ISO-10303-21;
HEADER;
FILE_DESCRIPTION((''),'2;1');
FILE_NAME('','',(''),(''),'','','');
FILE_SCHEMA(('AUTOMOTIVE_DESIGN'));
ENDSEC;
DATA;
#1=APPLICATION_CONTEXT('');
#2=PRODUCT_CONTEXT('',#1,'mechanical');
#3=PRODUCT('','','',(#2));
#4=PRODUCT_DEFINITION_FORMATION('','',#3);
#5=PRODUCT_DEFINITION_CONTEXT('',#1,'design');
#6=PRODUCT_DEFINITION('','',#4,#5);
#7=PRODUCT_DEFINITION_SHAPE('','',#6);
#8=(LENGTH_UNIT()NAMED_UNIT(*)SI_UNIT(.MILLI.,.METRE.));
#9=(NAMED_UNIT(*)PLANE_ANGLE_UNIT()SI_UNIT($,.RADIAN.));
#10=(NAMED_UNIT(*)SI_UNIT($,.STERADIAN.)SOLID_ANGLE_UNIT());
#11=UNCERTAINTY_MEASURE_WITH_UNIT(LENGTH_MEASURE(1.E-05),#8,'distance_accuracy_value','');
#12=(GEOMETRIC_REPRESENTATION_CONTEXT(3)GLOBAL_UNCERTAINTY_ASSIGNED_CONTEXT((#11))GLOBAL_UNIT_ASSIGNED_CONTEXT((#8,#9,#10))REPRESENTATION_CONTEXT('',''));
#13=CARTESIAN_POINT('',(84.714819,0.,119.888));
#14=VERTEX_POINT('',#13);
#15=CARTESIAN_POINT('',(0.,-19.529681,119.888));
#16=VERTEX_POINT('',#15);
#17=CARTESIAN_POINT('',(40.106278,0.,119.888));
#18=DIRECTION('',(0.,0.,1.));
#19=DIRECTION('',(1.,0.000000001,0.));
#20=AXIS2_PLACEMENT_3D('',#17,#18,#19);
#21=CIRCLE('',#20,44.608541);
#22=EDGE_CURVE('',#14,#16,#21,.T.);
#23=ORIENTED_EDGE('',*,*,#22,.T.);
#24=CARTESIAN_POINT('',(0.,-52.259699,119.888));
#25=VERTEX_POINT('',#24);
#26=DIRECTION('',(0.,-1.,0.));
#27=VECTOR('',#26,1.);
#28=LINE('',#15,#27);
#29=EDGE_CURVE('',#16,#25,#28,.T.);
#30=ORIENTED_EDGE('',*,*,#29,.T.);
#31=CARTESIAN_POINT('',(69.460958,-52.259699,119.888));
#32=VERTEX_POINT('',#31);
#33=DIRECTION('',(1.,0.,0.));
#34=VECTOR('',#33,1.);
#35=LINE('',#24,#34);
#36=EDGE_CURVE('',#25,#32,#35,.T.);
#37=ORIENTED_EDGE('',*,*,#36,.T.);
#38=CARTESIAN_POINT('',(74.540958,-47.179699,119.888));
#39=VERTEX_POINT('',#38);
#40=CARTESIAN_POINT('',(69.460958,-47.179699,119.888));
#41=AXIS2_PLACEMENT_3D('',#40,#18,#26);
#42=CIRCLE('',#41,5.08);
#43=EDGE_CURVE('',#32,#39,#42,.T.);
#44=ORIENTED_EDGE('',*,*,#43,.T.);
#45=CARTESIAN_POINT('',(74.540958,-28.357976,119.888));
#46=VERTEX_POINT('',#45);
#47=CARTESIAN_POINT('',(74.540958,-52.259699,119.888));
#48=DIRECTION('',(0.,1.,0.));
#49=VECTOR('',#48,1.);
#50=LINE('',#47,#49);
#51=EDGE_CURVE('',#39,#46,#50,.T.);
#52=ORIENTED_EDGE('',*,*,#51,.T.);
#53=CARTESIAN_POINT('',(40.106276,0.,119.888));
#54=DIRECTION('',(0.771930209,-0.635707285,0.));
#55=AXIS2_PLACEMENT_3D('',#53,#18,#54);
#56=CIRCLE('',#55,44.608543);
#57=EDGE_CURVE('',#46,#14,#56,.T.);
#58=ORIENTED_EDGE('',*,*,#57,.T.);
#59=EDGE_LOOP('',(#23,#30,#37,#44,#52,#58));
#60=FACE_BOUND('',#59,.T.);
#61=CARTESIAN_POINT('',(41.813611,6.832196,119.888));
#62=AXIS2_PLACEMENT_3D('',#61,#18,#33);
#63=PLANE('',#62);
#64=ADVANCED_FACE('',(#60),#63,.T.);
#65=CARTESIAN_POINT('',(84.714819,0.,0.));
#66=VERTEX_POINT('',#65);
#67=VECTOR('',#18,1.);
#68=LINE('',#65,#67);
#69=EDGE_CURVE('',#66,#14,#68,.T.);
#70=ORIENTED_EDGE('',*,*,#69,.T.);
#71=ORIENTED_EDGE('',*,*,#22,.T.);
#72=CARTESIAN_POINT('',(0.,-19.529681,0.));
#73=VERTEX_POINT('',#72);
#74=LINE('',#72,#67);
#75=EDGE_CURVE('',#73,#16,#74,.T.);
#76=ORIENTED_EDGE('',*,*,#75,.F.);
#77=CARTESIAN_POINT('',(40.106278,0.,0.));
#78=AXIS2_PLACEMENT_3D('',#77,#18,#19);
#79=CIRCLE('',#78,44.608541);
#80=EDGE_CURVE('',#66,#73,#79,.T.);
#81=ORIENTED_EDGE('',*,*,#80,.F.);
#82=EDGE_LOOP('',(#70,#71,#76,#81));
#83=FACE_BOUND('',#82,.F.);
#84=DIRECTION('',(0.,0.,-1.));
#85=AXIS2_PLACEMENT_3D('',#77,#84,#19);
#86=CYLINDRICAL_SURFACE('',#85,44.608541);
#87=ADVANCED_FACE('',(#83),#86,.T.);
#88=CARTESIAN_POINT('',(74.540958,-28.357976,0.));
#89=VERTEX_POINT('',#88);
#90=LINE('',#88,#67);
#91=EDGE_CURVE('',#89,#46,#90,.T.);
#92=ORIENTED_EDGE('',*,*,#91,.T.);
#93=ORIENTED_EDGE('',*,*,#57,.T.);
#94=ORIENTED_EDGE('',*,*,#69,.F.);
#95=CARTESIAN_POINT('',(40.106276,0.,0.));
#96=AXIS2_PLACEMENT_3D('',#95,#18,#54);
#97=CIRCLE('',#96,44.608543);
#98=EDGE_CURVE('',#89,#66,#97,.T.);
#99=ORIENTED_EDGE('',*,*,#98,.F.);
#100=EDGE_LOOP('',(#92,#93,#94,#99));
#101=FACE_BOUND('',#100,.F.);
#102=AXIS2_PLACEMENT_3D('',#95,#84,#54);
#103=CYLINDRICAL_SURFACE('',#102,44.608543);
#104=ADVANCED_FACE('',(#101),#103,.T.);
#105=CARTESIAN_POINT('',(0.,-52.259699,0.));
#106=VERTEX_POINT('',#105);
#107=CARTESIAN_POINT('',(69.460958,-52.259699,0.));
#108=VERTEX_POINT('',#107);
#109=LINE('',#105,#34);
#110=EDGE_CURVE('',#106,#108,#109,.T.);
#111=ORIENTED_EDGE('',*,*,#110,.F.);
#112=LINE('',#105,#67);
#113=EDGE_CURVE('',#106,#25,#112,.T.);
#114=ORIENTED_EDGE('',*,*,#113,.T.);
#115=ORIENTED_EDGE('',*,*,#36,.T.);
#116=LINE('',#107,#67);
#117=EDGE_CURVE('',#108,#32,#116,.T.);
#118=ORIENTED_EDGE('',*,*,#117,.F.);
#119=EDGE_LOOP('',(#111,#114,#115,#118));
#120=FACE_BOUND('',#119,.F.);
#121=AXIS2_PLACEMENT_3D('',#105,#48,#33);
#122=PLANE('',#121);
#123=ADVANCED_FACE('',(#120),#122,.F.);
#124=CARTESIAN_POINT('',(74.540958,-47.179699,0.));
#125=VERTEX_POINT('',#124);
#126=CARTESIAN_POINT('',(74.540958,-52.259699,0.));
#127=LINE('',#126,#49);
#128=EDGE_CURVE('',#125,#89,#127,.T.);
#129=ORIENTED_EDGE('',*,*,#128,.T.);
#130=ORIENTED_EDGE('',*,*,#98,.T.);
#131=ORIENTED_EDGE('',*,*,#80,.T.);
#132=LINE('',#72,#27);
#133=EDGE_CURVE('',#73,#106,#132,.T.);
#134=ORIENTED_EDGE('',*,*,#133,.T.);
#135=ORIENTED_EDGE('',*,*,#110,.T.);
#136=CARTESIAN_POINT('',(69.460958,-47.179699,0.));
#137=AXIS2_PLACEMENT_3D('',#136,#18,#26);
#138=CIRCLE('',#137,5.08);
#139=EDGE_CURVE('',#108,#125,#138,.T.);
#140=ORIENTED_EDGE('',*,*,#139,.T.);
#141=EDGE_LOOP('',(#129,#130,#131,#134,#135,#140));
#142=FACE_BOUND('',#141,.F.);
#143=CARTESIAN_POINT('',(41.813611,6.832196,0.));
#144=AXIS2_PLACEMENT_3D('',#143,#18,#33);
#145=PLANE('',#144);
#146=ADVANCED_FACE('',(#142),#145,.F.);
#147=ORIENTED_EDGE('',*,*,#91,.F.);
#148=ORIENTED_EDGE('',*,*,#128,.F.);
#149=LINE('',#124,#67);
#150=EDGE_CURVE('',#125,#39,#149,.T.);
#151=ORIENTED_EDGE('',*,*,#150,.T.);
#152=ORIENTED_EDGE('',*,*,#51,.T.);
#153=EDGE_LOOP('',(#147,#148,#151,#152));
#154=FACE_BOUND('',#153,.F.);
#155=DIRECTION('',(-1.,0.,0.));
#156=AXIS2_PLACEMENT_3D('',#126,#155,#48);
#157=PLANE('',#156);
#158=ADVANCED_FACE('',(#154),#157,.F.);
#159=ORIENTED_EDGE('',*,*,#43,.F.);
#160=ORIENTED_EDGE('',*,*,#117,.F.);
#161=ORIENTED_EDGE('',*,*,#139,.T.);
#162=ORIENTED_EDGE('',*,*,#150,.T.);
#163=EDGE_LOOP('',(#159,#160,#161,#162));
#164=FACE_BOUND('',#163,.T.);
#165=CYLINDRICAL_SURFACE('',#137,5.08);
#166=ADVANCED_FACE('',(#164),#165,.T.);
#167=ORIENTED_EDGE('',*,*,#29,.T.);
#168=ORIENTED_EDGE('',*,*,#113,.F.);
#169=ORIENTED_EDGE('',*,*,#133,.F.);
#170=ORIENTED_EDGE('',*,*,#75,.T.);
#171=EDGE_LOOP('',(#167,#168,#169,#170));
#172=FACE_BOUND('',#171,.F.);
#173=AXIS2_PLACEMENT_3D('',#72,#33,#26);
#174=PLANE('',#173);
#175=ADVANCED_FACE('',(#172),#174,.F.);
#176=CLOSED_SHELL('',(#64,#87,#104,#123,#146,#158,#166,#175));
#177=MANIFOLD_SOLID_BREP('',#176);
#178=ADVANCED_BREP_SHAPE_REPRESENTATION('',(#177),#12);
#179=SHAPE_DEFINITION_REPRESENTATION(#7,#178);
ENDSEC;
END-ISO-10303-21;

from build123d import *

# Parameters (mm, degrees)
F1_DEPTH = 119.888
F2_R     = 5.08


with BuildPart() as f1:
    # F0 (on Top) → F1 (new body)
    with BuildSketch(Plane.XY):
        with BuildLine():
            Line((0, -19.529681), (0, 0))
            Line((0, 0), (74.540958, 0))
            Line((74.540958, 0), (74.540958, -28.357976))
            ThreePointArc((74.540958, -28.357976), (82.094388, -15.063883), (84.714819, 0))
            ThreePointArc((84.714819, 0), (30.085314, 43.468405), (0, -19.529681))
        make_face()
        with BuildLine():
            Line((74.540958, 0), (0, 0))
            Line((0, 0), (0, -19.529681))
            ThreePointArc((0, -19.529681), (34.859712, -44.298934), (74.540958, -28.357976))
            Line((74.540958, -28.357976), (74.540958, 0))
        make_face()
        with BuildLine():
            ThreePointArc((74.540958, -28.357976), (34.859712, -44.298934), (0, -19.529681))
            Line((0, -19.529681), (0, -52.259699))
            Line((0, -52.259699), (74.540958, -52.259699))
            Line((74.540958, -52.259699), (74.540958, -28.357976))
        make_face()
    extrude(amount=F1_DEPTH)

    # F2
    f2_edges = [f1.edges().sort_by_distance(p)[0] for p in [
        (74.540958, -52.259699, 59.944),
    ]]
    fillet(f2_edges, radius=F2_R)


solid = f1.part
